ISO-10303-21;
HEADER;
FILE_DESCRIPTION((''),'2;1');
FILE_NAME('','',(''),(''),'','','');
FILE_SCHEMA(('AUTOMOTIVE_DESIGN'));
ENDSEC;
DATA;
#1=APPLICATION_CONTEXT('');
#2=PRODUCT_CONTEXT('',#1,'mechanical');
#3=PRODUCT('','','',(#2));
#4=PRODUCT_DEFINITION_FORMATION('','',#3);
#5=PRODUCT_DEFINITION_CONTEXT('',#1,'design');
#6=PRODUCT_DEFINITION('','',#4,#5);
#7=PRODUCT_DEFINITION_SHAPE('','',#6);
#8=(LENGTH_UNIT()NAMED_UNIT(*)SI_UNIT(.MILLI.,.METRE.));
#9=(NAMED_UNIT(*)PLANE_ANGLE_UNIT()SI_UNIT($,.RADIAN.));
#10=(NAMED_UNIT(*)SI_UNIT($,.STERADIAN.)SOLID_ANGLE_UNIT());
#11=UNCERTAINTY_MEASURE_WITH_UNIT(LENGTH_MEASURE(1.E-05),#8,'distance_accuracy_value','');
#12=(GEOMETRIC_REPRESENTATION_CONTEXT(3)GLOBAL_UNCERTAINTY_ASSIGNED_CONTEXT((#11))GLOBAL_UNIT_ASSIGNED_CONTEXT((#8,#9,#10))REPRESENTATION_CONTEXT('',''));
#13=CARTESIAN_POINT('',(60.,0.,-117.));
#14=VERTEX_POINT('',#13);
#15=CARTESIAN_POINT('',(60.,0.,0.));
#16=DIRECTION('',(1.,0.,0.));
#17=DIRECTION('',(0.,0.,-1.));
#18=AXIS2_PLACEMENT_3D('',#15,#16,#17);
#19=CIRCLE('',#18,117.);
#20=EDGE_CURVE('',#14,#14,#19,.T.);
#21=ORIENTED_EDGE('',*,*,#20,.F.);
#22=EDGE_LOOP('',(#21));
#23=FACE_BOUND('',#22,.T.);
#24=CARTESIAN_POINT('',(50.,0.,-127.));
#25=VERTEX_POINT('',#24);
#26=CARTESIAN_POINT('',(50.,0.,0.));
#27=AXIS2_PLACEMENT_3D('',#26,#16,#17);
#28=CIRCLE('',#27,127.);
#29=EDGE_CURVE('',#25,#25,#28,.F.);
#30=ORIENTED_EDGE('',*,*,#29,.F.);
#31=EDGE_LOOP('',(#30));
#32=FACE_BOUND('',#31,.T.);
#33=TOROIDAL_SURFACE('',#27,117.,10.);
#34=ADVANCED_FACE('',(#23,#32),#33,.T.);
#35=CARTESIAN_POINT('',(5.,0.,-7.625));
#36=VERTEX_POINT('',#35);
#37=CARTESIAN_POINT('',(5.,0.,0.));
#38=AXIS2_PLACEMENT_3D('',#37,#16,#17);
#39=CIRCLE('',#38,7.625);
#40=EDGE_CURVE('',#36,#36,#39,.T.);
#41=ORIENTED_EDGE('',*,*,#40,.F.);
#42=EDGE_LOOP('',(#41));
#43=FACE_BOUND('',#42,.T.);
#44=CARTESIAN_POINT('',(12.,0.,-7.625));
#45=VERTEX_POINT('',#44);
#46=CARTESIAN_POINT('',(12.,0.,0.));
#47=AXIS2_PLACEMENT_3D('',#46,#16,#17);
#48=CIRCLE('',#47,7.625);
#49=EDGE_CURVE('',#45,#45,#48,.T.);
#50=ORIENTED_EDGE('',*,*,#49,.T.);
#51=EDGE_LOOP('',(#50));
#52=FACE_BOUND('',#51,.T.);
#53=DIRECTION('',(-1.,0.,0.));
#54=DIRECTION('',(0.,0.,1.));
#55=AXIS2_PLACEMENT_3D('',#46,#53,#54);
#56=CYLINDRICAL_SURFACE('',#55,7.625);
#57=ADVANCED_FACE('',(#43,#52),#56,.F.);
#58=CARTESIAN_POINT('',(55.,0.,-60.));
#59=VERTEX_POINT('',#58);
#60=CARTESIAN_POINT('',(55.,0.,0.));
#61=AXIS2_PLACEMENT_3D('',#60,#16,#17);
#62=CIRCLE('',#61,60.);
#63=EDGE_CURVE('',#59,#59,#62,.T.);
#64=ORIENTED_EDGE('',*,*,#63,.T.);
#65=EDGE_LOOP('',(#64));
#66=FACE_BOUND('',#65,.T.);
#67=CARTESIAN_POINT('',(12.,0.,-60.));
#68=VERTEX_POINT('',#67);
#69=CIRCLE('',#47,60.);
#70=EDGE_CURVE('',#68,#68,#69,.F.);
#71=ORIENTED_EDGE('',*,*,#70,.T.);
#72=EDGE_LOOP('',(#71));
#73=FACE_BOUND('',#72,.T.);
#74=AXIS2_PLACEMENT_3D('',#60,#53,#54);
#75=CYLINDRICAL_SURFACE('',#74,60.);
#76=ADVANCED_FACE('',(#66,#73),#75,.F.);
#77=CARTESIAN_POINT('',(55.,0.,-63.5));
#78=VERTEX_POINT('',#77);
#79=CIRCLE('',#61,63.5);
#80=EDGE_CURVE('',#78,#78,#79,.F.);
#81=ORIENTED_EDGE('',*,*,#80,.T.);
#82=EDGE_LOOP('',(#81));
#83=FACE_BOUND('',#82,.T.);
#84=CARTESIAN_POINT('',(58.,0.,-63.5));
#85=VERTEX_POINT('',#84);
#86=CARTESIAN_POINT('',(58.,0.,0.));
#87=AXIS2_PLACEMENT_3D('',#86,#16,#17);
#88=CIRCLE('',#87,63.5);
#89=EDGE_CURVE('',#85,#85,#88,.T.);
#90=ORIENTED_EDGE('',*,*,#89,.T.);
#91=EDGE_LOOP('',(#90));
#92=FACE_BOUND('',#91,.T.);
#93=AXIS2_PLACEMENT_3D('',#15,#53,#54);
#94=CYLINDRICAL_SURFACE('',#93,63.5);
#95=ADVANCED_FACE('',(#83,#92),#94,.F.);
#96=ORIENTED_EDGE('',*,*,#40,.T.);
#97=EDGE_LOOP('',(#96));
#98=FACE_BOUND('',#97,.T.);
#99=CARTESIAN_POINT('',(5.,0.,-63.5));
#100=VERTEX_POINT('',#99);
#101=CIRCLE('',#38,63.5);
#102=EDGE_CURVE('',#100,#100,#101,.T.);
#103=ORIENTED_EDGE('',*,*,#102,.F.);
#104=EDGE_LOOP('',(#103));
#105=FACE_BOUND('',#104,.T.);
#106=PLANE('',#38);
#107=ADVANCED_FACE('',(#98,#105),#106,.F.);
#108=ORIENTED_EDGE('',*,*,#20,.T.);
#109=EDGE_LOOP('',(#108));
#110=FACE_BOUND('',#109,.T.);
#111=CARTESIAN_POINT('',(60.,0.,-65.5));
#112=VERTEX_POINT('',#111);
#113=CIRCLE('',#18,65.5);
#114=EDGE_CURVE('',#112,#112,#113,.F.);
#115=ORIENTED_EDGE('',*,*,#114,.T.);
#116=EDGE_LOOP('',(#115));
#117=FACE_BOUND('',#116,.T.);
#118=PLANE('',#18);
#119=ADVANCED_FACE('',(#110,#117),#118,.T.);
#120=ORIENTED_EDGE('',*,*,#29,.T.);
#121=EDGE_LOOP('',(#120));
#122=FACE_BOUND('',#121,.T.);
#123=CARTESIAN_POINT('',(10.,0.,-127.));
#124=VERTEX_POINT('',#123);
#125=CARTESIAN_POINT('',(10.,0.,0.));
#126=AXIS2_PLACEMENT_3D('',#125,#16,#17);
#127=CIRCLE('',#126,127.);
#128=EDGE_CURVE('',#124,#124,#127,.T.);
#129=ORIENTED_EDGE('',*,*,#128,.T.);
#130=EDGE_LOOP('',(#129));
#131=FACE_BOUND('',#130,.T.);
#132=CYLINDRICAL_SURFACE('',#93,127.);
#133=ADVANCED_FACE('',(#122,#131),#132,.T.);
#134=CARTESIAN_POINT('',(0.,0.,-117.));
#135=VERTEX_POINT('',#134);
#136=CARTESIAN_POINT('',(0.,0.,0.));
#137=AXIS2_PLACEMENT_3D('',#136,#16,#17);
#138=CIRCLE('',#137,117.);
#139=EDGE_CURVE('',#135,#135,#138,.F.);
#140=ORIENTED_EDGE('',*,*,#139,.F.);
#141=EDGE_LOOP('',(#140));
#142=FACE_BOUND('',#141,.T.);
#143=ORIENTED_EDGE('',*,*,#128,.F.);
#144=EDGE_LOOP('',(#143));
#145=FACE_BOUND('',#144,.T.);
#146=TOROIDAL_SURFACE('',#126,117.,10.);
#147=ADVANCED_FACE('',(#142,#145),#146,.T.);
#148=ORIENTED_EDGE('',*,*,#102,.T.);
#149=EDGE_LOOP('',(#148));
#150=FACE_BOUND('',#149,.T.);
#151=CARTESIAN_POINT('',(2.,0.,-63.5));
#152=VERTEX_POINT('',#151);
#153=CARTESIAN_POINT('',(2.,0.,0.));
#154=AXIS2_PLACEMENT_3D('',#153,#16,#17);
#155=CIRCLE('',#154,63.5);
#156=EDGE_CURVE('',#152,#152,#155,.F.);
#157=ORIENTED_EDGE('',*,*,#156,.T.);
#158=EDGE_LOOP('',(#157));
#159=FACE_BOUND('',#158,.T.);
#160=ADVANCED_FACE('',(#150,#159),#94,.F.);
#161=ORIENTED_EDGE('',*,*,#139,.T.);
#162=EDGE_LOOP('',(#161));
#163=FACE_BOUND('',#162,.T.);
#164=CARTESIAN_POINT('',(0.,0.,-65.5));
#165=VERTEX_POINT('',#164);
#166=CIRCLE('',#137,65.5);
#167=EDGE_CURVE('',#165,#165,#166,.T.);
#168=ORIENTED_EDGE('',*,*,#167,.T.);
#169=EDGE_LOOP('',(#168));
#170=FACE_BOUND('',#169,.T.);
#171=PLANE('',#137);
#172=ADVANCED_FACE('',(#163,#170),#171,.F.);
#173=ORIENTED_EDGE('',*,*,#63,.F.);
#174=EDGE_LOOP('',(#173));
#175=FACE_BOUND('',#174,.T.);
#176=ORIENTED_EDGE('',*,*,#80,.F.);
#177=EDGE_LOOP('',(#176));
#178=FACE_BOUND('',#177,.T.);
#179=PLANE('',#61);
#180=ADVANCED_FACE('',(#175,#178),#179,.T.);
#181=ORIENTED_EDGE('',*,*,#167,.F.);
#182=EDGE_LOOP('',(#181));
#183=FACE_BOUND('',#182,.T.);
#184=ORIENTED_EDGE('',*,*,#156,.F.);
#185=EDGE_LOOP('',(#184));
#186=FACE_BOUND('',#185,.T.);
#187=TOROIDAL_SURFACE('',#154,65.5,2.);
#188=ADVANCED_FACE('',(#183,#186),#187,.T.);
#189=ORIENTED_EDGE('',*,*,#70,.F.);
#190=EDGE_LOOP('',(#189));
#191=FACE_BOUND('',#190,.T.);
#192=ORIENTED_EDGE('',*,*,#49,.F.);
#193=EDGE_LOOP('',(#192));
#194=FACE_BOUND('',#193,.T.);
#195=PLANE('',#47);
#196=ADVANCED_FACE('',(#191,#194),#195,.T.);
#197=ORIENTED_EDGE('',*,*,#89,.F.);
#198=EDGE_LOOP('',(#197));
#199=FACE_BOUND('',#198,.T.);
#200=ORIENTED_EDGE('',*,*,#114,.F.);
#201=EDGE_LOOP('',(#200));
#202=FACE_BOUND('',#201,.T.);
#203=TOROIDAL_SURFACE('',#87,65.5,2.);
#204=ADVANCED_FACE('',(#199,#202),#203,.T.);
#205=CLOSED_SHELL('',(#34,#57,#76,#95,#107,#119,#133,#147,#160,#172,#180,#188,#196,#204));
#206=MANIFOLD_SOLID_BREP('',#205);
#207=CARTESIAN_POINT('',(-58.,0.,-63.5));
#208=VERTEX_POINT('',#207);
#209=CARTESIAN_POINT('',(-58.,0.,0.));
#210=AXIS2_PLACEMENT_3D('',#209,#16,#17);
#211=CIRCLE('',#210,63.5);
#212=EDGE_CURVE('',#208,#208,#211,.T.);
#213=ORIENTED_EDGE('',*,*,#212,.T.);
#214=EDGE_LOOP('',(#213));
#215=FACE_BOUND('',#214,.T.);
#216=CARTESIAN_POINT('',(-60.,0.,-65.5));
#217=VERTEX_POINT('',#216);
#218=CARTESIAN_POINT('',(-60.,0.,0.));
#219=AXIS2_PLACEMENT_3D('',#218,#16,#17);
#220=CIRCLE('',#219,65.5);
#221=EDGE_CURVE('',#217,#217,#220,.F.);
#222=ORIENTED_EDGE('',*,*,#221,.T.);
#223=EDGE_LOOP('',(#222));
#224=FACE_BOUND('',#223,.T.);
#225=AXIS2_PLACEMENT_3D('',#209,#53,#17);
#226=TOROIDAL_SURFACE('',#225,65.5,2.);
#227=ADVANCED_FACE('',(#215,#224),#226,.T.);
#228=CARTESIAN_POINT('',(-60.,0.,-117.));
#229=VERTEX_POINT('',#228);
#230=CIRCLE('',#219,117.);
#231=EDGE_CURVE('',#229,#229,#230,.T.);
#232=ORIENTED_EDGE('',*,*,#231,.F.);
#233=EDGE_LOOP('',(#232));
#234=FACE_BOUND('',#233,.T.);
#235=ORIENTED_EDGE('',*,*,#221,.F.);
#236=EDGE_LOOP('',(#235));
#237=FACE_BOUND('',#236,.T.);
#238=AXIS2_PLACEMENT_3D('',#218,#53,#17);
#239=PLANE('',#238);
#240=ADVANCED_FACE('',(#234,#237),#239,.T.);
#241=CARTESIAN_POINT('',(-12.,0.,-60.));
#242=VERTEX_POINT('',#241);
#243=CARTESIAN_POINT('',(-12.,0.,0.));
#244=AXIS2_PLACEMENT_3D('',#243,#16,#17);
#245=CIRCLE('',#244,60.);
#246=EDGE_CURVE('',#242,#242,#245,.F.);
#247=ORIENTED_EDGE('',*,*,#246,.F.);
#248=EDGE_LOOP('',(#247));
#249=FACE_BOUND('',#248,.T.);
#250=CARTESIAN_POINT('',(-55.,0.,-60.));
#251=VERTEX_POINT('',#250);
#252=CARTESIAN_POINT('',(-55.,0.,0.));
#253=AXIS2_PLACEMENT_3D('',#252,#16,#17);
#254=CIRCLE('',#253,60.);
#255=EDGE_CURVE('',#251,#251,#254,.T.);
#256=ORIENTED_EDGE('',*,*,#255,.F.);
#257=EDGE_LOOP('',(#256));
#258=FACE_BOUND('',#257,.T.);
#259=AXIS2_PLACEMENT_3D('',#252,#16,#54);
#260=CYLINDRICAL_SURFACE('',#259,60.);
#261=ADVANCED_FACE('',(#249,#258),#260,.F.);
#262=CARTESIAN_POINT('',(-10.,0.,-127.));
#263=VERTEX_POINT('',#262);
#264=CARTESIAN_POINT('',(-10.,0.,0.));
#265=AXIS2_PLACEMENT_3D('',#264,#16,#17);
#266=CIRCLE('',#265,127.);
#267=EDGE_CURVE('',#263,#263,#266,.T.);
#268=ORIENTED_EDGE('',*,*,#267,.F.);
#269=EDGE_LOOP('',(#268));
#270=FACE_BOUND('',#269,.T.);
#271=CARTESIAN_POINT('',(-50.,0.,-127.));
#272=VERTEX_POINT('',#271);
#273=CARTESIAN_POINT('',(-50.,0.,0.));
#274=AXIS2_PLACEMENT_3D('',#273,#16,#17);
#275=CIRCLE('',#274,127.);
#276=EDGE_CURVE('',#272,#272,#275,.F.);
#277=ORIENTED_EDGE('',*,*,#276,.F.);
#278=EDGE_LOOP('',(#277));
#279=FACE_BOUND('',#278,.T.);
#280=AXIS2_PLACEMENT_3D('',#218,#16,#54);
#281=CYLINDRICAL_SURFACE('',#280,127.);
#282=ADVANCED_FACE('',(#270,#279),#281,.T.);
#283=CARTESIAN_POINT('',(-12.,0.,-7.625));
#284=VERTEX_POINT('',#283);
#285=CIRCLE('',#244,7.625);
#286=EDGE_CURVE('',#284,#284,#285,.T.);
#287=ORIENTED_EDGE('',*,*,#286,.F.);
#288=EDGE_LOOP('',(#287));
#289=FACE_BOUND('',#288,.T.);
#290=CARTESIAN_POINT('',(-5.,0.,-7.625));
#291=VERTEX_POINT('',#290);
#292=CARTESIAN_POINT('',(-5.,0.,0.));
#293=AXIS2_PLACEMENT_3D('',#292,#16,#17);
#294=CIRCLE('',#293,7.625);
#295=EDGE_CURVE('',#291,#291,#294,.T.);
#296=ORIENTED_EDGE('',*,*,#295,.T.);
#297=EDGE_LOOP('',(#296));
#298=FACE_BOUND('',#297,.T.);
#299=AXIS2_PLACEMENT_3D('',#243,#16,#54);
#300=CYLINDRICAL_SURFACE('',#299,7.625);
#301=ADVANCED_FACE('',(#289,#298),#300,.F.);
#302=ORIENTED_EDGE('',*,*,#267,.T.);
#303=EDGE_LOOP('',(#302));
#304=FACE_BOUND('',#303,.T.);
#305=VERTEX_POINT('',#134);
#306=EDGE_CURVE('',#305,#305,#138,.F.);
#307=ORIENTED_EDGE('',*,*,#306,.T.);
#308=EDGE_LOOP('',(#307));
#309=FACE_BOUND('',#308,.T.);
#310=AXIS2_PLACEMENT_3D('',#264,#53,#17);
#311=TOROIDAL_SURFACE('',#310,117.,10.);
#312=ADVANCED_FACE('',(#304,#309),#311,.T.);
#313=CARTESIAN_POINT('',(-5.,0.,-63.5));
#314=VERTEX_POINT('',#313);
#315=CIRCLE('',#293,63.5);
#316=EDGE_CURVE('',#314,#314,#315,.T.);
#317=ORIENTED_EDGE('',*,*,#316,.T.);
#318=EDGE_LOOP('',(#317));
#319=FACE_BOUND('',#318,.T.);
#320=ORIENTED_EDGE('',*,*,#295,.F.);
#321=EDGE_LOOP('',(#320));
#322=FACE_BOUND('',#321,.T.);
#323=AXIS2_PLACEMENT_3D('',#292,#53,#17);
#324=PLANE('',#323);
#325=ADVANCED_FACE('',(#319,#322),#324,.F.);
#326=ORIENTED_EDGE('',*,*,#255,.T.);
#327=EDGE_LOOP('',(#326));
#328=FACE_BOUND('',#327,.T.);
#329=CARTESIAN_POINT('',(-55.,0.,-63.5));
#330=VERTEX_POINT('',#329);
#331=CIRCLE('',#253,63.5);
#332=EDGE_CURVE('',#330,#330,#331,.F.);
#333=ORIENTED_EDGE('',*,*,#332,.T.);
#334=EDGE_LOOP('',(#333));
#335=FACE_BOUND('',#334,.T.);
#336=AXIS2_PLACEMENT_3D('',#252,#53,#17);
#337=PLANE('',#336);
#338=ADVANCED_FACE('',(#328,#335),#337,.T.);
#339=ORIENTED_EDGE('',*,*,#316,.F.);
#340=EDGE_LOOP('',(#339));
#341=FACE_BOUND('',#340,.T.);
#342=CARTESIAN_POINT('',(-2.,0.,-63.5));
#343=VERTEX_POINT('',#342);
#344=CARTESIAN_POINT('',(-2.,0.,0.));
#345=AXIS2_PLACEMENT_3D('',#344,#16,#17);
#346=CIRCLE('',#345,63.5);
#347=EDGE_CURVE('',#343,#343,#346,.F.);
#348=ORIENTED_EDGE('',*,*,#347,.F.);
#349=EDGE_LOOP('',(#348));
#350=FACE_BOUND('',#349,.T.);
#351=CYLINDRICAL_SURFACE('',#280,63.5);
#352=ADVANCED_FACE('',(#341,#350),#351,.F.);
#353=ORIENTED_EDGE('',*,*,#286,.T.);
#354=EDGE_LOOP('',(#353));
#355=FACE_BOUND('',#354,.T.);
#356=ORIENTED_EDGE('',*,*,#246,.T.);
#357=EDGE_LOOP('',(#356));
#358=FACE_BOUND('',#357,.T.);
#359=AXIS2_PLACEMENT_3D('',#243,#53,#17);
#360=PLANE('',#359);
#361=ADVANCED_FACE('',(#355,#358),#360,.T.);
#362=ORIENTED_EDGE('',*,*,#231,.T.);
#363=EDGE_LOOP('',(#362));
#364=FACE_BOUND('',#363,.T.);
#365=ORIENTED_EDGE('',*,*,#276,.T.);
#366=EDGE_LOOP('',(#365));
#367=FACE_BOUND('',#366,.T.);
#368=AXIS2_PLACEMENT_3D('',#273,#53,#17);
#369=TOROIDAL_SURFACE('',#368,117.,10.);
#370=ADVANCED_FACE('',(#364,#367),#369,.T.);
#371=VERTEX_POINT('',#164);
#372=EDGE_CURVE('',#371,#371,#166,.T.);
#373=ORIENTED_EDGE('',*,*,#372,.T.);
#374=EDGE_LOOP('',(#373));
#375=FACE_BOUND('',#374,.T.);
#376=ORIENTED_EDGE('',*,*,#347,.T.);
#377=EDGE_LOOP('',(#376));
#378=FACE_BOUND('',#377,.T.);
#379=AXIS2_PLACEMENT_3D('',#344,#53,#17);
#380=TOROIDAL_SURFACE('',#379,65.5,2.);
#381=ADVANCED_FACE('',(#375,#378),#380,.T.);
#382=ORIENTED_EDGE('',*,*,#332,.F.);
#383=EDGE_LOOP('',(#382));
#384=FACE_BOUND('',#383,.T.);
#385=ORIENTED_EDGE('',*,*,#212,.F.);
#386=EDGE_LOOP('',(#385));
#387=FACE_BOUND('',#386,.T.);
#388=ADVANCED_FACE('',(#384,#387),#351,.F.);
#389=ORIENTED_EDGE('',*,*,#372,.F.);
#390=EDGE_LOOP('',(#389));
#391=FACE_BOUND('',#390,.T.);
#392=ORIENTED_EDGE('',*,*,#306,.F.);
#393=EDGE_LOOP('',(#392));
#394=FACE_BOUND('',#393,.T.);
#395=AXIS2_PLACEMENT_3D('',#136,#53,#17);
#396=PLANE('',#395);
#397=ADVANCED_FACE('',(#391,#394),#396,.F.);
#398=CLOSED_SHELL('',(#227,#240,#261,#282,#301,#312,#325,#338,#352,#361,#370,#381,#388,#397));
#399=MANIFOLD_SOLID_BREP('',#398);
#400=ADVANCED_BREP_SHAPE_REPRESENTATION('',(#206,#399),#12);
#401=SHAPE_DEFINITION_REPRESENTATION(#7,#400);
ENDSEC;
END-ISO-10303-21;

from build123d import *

# Parameters (mm, degrees)
HUB_START      = 5
SKETCH1_R      = 63.5
SKETCH1_R_2    = 7.625
HUB_FACE_DEPTH = 7
SKETCH2_R      = 63.5
SKETCH2_R_2    = 60
HUB_DEPTH      = 50
SKETCH3_R      = 127
SKETCH3_R_2    = 63.5
RUBBER_DEPTH   = 60
FILLET1_R      = 10
FILLET2_R      = 2


with BuildPart() as part:
    # Sketch1 → Hub Face (new body)
    with BuildSketch(Plane(origin=(0, 0, 0), x_dir=(0, 0, -1), z_dir=(1, 0, 0)).offset(HUB_START)):
        Circle(SKETCH1_R)
        Circle(SKETCH1_R_2, mode=Mode.SUBTRACT)
    extrude(amount=HUB_FACE_DEPTH)

    # Sketch2 → Hub (add)
    with BuildSketch(Plane(origin=(0, 0, 0), x_dir=(0, 0, -1), z_dir=(1, 0, 0)).offset(HUB_START)):
        Circle(SKETCH2_R)
        Circle(SKETCH2_R_2, mode=Mode.SUBTRACT)
    extrude(amount=HUB_DEPTH)

    # Sketch3 → Rubber (add)
    with BuildSketch(Plane(origin=(0, 0, 0), x_dir=(0, 0, -1), z_dir=(1, 0, 0))):
        Circle(SKETCH3_R)
        Circle(SKETCH3_R_2, mode=Mode.SUBTRACT)
    extrude(amount=RUBBER_DEPTH)

    # Fillet1
    fillet1_edges = [part.edges().sort_by_distance(p)[0] for p in [
        (60, 0, 127),
        (0, 0, 127),
    ]]
    fillet(fillet1_edges, radius=FILLET1_R)

    # Fillet2
    fillet2_edges = [part.edges().sort_by_distance(p)[0] for p in [
        (0, 0, 63.5),
        (60, 0, 63.5),
    ]]
    fillet(fillet2_edges, radius=FILLET2_R)


with BuildPart() as body_2:
    # Mirror1: mirrored copy
    add(part.part.mirror(Plane(origin=(0, 0, 0), x_dir=(0, 0, 1), z_dir=(1, 0, 0))))


solid = Compound([part.part, body_2.part])
